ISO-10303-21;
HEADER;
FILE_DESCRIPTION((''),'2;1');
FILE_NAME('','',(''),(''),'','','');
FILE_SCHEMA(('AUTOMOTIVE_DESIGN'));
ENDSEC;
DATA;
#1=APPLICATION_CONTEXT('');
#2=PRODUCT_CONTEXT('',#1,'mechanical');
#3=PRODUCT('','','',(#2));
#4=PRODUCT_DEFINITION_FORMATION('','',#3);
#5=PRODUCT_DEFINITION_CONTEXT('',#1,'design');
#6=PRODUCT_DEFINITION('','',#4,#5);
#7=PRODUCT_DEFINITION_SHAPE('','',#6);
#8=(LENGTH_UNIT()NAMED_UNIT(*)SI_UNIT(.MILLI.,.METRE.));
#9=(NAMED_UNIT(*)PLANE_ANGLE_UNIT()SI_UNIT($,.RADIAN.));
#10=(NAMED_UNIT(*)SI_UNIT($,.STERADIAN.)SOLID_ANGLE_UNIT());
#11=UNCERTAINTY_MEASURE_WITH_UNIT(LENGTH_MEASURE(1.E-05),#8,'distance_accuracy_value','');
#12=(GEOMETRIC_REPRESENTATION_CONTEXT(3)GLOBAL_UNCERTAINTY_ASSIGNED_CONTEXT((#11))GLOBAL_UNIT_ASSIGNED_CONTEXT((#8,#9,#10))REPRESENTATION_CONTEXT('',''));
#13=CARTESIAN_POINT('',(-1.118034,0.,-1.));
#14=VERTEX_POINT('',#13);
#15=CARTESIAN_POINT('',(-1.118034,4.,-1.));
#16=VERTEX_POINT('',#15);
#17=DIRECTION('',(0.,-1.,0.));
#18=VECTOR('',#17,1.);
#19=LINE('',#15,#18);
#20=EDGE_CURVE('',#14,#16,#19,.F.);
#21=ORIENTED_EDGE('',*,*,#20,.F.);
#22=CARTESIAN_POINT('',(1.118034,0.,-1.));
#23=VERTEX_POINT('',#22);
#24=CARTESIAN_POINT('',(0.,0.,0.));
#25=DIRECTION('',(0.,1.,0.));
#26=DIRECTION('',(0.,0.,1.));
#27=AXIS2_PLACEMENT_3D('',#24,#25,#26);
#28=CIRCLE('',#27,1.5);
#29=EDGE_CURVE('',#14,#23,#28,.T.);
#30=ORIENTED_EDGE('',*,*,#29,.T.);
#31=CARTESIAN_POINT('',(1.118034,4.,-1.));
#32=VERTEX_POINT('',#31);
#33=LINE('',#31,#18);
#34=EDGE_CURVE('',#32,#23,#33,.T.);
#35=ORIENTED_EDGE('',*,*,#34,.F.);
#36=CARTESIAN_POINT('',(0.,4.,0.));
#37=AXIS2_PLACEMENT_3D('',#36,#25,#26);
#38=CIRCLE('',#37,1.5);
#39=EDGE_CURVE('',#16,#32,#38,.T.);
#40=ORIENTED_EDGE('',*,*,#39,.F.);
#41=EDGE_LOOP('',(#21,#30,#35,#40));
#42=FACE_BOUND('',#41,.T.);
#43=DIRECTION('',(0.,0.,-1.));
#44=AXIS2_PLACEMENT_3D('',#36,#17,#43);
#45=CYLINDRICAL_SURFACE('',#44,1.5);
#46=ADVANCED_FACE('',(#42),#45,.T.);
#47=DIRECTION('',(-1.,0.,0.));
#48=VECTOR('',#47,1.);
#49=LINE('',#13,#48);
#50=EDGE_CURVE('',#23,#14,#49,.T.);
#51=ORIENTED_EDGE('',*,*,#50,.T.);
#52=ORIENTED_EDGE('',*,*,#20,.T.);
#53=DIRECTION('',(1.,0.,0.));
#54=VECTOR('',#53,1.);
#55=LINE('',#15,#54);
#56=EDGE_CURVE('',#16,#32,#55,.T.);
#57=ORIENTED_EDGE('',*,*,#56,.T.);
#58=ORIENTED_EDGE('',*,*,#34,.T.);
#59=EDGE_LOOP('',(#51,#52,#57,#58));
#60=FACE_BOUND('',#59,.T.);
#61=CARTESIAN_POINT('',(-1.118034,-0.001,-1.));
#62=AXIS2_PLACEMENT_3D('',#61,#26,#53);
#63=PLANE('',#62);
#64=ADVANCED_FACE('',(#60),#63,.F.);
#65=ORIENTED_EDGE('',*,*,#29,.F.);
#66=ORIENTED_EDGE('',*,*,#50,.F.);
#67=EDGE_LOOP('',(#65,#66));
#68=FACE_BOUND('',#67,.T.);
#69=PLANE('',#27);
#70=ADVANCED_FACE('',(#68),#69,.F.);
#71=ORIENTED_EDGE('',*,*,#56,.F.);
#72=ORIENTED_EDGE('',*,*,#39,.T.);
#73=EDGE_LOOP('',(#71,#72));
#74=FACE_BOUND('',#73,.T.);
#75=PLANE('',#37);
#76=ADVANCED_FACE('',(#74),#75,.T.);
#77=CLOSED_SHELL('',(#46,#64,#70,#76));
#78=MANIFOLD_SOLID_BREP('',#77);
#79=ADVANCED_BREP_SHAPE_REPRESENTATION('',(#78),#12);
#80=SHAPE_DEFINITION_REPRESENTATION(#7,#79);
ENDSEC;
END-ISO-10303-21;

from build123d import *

# Parameters (mm, degrees)
SKETCH1_R           = 1.5
BOSS_EXTRUDE1_DEPTH = 4
CUT_EXTRUDE1_REACH  = 6
SKETCH6_W           = 2.236067978
SKETCH6_H           = 0.5


with BuildPart() as part:
    # Sketch1 → Boss-Extrude1 (new body)
    with BuildSketch(Plane(origin=(0, 0, 0), x_dir=(1, 0, 0), z_dir=(0, 1, 0))):
        Circle(SKETCH1_R)
    extrude(amount=BOSS_EXTRUDE1_DEPTH)

    # Sketch6 → Cut-Extrude1 (cut, up to next)
    with BuildSketch(Plane(origin=(0, 4, 0), x_dir=(1, 0, 0), z_dir=(0, 1, 0)), mode=Mode.PRIVATE) as cut_extrude1_sk1:
        with Locations((0, 1.25)):
            Rectangle(SKETCH6_W, SKETCH6_H)
    cut_extrude1_tool1 = extrude(cut_extrude1_sk1.sketch, amount=-CUT_EXTRUDE1_REACH, mode=Mode.PRIVATE) & part.part
    add(cut_extrude1_tool1.solids().sort_by_distance((0, 4, -1.25))[0], mode=Mode.SUBTRACT)


solid = part.part
